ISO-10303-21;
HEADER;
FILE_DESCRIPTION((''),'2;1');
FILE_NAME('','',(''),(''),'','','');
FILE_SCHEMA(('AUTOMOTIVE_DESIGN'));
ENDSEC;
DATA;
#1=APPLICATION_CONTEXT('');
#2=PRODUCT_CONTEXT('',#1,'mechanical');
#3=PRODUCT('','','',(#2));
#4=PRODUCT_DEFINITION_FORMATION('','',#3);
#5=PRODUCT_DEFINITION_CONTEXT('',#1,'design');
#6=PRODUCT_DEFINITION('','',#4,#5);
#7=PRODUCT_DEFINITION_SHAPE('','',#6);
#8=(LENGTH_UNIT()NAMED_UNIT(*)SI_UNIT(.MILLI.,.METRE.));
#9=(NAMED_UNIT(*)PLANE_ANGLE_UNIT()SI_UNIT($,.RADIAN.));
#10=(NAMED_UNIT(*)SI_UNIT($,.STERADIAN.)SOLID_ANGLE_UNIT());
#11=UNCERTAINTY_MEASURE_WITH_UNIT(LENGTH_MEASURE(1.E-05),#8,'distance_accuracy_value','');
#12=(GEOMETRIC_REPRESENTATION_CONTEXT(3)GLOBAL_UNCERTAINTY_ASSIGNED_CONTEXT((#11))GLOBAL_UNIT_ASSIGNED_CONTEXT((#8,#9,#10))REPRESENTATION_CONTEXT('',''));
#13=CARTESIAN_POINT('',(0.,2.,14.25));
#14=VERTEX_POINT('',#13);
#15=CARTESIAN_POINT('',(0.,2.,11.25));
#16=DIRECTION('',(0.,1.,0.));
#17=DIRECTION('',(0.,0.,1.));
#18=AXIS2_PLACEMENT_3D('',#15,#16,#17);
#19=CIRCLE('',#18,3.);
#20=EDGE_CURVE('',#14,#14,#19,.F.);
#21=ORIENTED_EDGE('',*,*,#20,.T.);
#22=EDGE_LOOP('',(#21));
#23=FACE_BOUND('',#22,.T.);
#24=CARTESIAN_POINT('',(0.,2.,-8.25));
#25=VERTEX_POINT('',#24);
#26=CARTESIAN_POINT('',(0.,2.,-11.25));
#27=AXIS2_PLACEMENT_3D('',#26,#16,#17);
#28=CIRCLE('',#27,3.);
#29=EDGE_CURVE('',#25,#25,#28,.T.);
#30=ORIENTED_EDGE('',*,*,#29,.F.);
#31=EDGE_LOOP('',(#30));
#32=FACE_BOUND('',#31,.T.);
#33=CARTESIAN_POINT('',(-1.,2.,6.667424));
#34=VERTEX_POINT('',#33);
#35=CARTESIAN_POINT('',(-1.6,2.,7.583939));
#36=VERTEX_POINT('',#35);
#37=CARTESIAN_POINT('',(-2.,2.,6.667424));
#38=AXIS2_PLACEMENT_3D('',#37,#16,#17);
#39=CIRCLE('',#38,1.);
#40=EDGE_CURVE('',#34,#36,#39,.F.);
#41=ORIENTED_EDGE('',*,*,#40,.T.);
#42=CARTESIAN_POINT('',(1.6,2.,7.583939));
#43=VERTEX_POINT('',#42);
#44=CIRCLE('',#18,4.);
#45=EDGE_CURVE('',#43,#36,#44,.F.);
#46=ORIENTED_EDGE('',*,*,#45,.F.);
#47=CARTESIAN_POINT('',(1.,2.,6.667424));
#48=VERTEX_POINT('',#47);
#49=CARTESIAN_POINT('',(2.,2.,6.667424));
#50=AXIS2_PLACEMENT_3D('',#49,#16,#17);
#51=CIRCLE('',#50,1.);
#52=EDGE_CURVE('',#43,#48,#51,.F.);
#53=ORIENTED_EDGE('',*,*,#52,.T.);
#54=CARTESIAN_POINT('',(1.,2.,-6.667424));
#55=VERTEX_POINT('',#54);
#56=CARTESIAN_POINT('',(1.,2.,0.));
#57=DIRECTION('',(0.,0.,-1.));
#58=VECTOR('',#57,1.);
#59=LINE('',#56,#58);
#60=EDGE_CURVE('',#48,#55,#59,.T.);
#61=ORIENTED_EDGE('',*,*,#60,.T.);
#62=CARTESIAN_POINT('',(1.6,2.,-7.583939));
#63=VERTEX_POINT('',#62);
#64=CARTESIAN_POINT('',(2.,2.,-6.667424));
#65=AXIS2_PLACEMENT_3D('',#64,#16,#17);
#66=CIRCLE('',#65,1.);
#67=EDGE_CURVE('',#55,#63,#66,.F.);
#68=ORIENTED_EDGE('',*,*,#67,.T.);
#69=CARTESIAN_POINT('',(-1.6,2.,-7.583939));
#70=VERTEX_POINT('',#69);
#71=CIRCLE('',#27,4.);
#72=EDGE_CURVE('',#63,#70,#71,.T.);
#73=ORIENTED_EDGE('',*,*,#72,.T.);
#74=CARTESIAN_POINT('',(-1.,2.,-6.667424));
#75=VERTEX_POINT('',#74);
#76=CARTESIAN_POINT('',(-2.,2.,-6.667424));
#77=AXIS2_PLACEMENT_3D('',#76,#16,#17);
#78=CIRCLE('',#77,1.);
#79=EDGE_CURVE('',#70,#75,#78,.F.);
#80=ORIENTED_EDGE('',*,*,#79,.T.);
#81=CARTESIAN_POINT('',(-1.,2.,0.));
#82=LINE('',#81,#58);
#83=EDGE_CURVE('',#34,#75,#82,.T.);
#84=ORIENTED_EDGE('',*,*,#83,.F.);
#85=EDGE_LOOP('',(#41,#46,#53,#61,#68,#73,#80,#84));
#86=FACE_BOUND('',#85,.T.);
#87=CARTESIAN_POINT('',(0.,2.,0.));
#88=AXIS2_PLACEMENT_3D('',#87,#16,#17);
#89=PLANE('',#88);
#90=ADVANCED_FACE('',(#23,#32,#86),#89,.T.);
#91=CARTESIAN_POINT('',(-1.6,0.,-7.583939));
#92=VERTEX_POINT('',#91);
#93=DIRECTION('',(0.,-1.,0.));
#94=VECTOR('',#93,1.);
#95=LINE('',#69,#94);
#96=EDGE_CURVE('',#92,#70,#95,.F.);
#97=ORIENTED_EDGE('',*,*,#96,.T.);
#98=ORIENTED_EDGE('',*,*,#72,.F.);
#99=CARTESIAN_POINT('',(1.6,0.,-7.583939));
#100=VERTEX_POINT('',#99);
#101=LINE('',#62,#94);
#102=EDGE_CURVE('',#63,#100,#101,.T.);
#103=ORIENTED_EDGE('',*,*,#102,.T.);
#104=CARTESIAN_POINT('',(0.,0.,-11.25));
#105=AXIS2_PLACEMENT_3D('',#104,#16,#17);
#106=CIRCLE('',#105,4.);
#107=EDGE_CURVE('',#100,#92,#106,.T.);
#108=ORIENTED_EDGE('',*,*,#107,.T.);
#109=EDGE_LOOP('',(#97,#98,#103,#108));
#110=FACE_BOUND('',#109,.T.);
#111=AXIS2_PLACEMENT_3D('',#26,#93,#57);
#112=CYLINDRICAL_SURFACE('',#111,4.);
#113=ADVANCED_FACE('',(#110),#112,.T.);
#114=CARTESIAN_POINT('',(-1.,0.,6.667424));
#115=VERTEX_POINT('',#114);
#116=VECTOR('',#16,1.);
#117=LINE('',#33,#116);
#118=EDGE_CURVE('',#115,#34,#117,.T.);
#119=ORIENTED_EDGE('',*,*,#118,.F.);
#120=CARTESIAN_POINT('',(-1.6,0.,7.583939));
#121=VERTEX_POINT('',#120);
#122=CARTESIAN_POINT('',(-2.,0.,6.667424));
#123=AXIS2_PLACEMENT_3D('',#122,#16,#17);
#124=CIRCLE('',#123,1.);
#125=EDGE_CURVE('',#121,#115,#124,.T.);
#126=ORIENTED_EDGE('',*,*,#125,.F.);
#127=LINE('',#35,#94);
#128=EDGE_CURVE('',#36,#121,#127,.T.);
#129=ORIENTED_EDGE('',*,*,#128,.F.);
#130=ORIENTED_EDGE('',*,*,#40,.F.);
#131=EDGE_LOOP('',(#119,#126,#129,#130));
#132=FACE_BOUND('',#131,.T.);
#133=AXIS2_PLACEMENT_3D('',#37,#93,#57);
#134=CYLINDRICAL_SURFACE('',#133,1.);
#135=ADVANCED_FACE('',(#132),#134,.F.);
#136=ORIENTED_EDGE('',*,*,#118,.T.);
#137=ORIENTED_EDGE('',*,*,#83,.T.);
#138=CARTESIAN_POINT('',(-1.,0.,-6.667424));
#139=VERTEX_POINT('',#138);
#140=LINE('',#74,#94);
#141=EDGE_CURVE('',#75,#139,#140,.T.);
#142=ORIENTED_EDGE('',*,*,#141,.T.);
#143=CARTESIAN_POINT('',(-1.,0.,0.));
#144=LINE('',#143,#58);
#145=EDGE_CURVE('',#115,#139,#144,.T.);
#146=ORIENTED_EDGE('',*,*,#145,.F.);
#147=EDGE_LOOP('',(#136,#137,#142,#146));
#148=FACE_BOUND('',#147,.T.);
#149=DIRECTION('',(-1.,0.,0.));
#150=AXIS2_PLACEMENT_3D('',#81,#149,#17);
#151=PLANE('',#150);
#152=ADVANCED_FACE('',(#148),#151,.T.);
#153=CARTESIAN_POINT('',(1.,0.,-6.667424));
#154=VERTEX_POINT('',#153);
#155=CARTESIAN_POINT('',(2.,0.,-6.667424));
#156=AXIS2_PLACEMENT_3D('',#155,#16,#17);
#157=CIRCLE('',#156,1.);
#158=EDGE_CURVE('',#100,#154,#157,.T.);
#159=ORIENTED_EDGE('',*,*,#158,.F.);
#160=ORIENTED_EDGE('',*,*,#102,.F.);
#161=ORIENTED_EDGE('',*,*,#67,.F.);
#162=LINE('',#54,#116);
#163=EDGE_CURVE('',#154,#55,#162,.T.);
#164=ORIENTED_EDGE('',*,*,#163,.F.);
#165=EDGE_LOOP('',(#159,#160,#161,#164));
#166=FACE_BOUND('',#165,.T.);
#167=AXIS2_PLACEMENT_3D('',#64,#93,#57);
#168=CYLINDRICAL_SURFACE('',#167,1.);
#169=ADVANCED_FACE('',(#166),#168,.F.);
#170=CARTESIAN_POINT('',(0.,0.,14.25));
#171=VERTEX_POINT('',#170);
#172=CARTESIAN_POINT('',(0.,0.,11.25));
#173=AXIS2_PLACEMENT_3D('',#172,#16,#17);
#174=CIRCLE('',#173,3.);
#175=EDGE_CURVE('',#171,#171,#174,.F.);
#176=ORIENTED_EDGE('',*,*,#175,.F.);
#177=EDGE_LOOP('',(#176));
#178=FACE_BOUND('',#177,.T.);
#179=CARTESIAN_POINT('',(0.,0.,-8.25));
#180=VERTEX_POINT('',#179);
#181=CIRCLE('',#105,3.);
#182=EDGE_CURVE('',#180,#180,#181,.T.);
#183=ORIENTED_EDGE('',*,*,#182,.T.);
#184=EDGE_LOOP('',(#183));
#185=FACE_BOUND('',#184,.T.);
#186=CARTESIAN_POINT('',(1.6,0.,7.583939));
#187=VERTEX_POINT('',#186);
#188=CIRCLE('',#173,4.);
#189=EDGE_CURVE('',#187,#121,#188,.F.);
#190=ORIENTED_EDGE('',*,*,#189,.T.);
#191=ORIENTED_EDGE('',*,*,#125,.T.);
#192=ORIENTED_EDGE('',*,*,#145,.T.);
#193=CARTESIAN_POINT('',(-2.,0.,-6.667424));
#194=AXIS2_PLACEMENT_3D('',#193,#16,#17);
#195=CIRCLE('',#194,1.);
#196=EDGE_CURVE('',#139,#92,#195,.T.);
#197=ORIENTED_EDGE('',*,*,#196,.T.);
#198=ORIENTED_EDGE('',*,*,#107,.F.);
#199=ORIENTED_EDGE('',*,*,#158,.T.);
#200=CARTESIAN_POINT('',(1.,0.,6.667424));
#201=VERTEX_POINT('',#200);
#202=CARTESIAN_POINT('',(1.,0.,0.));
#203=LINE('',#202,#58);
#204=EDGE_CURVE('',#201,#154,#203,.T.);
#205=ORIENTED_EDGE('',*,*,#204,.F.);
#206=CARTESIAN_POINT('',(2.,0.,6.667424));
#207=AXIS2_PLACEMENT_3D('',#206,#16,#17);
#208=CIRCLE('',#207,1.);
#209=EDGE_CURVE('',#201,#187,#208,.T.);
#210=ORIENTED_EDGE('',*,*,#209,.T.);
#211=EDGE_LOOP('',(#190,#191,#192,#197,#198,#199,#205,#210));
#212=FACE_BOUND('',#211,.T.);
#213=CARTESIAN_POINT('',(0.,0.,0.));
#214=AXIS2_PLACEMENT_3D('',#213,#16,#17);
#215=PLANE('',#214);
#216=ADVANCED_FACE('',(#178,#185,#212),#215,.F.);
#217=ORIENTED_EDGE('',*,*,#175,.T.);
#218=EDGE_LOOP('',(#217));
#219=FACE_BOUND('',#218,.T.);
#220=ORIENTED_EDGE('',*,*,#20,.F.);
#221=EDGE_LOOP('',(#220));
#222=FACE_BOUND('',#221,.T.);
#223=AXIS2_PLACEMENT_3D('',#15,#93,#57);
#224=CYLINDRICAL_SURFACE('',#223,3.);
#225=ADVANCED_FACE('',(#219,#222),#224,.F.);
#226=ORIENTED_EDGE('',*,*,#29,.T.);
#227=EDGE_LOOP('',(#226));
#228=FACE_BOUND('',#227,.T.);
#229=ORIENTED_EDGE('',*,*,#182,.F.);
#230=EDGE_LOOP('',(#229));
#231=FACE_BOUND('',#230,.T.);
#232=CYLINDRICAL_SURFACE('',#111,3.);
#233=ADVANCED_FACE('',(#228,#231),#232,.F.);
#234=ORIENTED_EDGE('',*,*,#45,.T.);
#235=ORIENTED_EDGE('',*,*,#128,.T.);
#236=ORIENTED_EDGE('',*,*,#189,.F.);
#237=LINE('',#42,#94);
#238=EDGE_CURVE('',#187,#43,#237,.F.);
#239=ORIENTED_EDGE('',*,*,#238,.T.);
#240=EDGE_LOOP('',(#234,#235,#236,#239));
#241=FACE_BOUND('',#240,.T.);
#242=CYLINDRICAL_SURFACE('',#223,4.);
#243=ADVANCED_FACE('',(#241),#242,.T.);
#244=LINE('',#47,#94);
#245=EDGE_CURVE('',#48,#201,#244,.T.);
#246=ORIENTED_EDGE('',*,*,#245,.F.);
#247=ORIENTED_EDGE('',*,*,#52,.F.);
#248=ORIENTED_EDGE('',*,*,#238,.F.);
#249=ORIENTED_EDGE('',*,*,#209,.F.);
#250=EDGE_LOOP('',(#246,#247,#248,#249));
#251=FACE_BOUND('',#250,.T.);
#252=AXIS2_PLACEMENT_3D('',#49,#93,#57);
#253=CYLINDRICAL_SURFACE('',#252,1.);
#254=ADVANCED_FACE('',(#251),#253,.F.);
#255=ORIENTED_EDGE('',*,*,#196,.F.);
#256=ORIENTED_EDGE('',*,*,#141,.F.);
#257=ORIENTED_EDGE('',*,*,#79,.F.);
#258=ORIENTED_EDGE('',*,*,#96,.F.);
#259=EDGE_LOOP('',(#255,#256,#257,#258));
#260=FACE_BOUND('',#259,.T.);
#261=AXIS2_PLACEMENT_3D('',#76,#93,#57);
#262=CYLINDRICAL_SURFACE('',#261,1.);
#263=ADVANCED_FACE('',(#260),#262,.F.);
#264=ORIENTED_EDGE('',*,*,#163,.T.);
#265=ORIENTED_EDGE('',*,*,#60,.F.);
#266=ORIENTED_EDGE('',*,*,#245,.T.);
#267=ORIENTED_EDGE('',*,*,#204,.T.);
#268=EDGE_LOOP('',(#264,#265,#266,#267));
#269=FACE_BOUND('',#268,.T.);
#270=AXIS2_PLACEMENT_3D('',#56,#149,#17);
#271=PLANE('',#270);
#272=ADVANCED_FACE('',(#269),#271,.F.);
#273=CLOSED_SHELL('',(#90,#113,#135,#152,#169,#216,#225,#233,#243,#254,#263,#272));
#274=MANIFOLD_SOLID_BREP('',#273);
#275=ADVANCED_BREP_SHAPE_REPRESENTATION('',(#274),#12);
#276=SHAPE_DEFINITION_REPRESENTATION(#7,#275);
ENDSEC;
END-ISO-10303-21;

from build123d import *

# Parameters (mm, degrees)
SKETCH1_R           = 4
SKETCH1_R_2         = 3
BOSS_EXTRUDE1_DEPTH = 2
FILLET1_R           = 1


with BuildPart() as part:
    # Sketch1 → Boss-Extrude1 (new body)
    # profile 1 of 3: a face of its own
    with BuildSketch(Plane(origin=(0, 0, 0), x_dir=(1, 0, 0), z_dir=(0, 1, 0))):
        with Locations((0, 11.25)):
            Circle(SKETCH1_R)
        with Locations(Location((0, 11.25, 0), (0, 0, 270))):
            Circle(SKETCH1_R_2, mode=Mode.SUBTRACT)
    # profile 2 of 3: a face of its own
    with BuildSketch(Plane(origin=(0, 0, 0), x_dir=(1, 0, 0), z_dir=(0, 1, 0))):
        with BuildLine():
            Line((-1, 7.377016654), (-1, -7.377016654))
            ThreePointArc((-1, -7.377016654), (0, -7.25), (1, -7.377016654))
            Line((1, -7.377016654), (1, 7.377016654))
            ThreePointArc((1, 7.377016654), (0, 7.25), (-1, 7.377016654))
        make_face()
    # profile 3 of 3: a face of its own
    with BuildSketch(Plane(origin=(0, 0, 0), x_dir=(1, 0, 0), z_dir=(0, 1, 0))):
        with Locations((0, -11.25)):
            Circle(SKETCH1_R)
        with Locations(Location((0, -11.25, 0), (0, 0, 270))):
            Circle(SKETCH1_R_2, mode=Mode.SUBTRACT)
    extrude(amount=BOSS_EXTRUDE1_DEPTH)

    # Fillet1
    fillet1_edges = [part.edges().sort_by_distance(p)[0] for p in [
        (1, 1, -7.377016654),
        (1, 1, 7.377016654),
        (-1, 1, 7.377016654),
        (-1, 1, -7.377016654),
    ]]
    fillet(fillet1_edges, radius=FILLET1_R)


solid = part.part
